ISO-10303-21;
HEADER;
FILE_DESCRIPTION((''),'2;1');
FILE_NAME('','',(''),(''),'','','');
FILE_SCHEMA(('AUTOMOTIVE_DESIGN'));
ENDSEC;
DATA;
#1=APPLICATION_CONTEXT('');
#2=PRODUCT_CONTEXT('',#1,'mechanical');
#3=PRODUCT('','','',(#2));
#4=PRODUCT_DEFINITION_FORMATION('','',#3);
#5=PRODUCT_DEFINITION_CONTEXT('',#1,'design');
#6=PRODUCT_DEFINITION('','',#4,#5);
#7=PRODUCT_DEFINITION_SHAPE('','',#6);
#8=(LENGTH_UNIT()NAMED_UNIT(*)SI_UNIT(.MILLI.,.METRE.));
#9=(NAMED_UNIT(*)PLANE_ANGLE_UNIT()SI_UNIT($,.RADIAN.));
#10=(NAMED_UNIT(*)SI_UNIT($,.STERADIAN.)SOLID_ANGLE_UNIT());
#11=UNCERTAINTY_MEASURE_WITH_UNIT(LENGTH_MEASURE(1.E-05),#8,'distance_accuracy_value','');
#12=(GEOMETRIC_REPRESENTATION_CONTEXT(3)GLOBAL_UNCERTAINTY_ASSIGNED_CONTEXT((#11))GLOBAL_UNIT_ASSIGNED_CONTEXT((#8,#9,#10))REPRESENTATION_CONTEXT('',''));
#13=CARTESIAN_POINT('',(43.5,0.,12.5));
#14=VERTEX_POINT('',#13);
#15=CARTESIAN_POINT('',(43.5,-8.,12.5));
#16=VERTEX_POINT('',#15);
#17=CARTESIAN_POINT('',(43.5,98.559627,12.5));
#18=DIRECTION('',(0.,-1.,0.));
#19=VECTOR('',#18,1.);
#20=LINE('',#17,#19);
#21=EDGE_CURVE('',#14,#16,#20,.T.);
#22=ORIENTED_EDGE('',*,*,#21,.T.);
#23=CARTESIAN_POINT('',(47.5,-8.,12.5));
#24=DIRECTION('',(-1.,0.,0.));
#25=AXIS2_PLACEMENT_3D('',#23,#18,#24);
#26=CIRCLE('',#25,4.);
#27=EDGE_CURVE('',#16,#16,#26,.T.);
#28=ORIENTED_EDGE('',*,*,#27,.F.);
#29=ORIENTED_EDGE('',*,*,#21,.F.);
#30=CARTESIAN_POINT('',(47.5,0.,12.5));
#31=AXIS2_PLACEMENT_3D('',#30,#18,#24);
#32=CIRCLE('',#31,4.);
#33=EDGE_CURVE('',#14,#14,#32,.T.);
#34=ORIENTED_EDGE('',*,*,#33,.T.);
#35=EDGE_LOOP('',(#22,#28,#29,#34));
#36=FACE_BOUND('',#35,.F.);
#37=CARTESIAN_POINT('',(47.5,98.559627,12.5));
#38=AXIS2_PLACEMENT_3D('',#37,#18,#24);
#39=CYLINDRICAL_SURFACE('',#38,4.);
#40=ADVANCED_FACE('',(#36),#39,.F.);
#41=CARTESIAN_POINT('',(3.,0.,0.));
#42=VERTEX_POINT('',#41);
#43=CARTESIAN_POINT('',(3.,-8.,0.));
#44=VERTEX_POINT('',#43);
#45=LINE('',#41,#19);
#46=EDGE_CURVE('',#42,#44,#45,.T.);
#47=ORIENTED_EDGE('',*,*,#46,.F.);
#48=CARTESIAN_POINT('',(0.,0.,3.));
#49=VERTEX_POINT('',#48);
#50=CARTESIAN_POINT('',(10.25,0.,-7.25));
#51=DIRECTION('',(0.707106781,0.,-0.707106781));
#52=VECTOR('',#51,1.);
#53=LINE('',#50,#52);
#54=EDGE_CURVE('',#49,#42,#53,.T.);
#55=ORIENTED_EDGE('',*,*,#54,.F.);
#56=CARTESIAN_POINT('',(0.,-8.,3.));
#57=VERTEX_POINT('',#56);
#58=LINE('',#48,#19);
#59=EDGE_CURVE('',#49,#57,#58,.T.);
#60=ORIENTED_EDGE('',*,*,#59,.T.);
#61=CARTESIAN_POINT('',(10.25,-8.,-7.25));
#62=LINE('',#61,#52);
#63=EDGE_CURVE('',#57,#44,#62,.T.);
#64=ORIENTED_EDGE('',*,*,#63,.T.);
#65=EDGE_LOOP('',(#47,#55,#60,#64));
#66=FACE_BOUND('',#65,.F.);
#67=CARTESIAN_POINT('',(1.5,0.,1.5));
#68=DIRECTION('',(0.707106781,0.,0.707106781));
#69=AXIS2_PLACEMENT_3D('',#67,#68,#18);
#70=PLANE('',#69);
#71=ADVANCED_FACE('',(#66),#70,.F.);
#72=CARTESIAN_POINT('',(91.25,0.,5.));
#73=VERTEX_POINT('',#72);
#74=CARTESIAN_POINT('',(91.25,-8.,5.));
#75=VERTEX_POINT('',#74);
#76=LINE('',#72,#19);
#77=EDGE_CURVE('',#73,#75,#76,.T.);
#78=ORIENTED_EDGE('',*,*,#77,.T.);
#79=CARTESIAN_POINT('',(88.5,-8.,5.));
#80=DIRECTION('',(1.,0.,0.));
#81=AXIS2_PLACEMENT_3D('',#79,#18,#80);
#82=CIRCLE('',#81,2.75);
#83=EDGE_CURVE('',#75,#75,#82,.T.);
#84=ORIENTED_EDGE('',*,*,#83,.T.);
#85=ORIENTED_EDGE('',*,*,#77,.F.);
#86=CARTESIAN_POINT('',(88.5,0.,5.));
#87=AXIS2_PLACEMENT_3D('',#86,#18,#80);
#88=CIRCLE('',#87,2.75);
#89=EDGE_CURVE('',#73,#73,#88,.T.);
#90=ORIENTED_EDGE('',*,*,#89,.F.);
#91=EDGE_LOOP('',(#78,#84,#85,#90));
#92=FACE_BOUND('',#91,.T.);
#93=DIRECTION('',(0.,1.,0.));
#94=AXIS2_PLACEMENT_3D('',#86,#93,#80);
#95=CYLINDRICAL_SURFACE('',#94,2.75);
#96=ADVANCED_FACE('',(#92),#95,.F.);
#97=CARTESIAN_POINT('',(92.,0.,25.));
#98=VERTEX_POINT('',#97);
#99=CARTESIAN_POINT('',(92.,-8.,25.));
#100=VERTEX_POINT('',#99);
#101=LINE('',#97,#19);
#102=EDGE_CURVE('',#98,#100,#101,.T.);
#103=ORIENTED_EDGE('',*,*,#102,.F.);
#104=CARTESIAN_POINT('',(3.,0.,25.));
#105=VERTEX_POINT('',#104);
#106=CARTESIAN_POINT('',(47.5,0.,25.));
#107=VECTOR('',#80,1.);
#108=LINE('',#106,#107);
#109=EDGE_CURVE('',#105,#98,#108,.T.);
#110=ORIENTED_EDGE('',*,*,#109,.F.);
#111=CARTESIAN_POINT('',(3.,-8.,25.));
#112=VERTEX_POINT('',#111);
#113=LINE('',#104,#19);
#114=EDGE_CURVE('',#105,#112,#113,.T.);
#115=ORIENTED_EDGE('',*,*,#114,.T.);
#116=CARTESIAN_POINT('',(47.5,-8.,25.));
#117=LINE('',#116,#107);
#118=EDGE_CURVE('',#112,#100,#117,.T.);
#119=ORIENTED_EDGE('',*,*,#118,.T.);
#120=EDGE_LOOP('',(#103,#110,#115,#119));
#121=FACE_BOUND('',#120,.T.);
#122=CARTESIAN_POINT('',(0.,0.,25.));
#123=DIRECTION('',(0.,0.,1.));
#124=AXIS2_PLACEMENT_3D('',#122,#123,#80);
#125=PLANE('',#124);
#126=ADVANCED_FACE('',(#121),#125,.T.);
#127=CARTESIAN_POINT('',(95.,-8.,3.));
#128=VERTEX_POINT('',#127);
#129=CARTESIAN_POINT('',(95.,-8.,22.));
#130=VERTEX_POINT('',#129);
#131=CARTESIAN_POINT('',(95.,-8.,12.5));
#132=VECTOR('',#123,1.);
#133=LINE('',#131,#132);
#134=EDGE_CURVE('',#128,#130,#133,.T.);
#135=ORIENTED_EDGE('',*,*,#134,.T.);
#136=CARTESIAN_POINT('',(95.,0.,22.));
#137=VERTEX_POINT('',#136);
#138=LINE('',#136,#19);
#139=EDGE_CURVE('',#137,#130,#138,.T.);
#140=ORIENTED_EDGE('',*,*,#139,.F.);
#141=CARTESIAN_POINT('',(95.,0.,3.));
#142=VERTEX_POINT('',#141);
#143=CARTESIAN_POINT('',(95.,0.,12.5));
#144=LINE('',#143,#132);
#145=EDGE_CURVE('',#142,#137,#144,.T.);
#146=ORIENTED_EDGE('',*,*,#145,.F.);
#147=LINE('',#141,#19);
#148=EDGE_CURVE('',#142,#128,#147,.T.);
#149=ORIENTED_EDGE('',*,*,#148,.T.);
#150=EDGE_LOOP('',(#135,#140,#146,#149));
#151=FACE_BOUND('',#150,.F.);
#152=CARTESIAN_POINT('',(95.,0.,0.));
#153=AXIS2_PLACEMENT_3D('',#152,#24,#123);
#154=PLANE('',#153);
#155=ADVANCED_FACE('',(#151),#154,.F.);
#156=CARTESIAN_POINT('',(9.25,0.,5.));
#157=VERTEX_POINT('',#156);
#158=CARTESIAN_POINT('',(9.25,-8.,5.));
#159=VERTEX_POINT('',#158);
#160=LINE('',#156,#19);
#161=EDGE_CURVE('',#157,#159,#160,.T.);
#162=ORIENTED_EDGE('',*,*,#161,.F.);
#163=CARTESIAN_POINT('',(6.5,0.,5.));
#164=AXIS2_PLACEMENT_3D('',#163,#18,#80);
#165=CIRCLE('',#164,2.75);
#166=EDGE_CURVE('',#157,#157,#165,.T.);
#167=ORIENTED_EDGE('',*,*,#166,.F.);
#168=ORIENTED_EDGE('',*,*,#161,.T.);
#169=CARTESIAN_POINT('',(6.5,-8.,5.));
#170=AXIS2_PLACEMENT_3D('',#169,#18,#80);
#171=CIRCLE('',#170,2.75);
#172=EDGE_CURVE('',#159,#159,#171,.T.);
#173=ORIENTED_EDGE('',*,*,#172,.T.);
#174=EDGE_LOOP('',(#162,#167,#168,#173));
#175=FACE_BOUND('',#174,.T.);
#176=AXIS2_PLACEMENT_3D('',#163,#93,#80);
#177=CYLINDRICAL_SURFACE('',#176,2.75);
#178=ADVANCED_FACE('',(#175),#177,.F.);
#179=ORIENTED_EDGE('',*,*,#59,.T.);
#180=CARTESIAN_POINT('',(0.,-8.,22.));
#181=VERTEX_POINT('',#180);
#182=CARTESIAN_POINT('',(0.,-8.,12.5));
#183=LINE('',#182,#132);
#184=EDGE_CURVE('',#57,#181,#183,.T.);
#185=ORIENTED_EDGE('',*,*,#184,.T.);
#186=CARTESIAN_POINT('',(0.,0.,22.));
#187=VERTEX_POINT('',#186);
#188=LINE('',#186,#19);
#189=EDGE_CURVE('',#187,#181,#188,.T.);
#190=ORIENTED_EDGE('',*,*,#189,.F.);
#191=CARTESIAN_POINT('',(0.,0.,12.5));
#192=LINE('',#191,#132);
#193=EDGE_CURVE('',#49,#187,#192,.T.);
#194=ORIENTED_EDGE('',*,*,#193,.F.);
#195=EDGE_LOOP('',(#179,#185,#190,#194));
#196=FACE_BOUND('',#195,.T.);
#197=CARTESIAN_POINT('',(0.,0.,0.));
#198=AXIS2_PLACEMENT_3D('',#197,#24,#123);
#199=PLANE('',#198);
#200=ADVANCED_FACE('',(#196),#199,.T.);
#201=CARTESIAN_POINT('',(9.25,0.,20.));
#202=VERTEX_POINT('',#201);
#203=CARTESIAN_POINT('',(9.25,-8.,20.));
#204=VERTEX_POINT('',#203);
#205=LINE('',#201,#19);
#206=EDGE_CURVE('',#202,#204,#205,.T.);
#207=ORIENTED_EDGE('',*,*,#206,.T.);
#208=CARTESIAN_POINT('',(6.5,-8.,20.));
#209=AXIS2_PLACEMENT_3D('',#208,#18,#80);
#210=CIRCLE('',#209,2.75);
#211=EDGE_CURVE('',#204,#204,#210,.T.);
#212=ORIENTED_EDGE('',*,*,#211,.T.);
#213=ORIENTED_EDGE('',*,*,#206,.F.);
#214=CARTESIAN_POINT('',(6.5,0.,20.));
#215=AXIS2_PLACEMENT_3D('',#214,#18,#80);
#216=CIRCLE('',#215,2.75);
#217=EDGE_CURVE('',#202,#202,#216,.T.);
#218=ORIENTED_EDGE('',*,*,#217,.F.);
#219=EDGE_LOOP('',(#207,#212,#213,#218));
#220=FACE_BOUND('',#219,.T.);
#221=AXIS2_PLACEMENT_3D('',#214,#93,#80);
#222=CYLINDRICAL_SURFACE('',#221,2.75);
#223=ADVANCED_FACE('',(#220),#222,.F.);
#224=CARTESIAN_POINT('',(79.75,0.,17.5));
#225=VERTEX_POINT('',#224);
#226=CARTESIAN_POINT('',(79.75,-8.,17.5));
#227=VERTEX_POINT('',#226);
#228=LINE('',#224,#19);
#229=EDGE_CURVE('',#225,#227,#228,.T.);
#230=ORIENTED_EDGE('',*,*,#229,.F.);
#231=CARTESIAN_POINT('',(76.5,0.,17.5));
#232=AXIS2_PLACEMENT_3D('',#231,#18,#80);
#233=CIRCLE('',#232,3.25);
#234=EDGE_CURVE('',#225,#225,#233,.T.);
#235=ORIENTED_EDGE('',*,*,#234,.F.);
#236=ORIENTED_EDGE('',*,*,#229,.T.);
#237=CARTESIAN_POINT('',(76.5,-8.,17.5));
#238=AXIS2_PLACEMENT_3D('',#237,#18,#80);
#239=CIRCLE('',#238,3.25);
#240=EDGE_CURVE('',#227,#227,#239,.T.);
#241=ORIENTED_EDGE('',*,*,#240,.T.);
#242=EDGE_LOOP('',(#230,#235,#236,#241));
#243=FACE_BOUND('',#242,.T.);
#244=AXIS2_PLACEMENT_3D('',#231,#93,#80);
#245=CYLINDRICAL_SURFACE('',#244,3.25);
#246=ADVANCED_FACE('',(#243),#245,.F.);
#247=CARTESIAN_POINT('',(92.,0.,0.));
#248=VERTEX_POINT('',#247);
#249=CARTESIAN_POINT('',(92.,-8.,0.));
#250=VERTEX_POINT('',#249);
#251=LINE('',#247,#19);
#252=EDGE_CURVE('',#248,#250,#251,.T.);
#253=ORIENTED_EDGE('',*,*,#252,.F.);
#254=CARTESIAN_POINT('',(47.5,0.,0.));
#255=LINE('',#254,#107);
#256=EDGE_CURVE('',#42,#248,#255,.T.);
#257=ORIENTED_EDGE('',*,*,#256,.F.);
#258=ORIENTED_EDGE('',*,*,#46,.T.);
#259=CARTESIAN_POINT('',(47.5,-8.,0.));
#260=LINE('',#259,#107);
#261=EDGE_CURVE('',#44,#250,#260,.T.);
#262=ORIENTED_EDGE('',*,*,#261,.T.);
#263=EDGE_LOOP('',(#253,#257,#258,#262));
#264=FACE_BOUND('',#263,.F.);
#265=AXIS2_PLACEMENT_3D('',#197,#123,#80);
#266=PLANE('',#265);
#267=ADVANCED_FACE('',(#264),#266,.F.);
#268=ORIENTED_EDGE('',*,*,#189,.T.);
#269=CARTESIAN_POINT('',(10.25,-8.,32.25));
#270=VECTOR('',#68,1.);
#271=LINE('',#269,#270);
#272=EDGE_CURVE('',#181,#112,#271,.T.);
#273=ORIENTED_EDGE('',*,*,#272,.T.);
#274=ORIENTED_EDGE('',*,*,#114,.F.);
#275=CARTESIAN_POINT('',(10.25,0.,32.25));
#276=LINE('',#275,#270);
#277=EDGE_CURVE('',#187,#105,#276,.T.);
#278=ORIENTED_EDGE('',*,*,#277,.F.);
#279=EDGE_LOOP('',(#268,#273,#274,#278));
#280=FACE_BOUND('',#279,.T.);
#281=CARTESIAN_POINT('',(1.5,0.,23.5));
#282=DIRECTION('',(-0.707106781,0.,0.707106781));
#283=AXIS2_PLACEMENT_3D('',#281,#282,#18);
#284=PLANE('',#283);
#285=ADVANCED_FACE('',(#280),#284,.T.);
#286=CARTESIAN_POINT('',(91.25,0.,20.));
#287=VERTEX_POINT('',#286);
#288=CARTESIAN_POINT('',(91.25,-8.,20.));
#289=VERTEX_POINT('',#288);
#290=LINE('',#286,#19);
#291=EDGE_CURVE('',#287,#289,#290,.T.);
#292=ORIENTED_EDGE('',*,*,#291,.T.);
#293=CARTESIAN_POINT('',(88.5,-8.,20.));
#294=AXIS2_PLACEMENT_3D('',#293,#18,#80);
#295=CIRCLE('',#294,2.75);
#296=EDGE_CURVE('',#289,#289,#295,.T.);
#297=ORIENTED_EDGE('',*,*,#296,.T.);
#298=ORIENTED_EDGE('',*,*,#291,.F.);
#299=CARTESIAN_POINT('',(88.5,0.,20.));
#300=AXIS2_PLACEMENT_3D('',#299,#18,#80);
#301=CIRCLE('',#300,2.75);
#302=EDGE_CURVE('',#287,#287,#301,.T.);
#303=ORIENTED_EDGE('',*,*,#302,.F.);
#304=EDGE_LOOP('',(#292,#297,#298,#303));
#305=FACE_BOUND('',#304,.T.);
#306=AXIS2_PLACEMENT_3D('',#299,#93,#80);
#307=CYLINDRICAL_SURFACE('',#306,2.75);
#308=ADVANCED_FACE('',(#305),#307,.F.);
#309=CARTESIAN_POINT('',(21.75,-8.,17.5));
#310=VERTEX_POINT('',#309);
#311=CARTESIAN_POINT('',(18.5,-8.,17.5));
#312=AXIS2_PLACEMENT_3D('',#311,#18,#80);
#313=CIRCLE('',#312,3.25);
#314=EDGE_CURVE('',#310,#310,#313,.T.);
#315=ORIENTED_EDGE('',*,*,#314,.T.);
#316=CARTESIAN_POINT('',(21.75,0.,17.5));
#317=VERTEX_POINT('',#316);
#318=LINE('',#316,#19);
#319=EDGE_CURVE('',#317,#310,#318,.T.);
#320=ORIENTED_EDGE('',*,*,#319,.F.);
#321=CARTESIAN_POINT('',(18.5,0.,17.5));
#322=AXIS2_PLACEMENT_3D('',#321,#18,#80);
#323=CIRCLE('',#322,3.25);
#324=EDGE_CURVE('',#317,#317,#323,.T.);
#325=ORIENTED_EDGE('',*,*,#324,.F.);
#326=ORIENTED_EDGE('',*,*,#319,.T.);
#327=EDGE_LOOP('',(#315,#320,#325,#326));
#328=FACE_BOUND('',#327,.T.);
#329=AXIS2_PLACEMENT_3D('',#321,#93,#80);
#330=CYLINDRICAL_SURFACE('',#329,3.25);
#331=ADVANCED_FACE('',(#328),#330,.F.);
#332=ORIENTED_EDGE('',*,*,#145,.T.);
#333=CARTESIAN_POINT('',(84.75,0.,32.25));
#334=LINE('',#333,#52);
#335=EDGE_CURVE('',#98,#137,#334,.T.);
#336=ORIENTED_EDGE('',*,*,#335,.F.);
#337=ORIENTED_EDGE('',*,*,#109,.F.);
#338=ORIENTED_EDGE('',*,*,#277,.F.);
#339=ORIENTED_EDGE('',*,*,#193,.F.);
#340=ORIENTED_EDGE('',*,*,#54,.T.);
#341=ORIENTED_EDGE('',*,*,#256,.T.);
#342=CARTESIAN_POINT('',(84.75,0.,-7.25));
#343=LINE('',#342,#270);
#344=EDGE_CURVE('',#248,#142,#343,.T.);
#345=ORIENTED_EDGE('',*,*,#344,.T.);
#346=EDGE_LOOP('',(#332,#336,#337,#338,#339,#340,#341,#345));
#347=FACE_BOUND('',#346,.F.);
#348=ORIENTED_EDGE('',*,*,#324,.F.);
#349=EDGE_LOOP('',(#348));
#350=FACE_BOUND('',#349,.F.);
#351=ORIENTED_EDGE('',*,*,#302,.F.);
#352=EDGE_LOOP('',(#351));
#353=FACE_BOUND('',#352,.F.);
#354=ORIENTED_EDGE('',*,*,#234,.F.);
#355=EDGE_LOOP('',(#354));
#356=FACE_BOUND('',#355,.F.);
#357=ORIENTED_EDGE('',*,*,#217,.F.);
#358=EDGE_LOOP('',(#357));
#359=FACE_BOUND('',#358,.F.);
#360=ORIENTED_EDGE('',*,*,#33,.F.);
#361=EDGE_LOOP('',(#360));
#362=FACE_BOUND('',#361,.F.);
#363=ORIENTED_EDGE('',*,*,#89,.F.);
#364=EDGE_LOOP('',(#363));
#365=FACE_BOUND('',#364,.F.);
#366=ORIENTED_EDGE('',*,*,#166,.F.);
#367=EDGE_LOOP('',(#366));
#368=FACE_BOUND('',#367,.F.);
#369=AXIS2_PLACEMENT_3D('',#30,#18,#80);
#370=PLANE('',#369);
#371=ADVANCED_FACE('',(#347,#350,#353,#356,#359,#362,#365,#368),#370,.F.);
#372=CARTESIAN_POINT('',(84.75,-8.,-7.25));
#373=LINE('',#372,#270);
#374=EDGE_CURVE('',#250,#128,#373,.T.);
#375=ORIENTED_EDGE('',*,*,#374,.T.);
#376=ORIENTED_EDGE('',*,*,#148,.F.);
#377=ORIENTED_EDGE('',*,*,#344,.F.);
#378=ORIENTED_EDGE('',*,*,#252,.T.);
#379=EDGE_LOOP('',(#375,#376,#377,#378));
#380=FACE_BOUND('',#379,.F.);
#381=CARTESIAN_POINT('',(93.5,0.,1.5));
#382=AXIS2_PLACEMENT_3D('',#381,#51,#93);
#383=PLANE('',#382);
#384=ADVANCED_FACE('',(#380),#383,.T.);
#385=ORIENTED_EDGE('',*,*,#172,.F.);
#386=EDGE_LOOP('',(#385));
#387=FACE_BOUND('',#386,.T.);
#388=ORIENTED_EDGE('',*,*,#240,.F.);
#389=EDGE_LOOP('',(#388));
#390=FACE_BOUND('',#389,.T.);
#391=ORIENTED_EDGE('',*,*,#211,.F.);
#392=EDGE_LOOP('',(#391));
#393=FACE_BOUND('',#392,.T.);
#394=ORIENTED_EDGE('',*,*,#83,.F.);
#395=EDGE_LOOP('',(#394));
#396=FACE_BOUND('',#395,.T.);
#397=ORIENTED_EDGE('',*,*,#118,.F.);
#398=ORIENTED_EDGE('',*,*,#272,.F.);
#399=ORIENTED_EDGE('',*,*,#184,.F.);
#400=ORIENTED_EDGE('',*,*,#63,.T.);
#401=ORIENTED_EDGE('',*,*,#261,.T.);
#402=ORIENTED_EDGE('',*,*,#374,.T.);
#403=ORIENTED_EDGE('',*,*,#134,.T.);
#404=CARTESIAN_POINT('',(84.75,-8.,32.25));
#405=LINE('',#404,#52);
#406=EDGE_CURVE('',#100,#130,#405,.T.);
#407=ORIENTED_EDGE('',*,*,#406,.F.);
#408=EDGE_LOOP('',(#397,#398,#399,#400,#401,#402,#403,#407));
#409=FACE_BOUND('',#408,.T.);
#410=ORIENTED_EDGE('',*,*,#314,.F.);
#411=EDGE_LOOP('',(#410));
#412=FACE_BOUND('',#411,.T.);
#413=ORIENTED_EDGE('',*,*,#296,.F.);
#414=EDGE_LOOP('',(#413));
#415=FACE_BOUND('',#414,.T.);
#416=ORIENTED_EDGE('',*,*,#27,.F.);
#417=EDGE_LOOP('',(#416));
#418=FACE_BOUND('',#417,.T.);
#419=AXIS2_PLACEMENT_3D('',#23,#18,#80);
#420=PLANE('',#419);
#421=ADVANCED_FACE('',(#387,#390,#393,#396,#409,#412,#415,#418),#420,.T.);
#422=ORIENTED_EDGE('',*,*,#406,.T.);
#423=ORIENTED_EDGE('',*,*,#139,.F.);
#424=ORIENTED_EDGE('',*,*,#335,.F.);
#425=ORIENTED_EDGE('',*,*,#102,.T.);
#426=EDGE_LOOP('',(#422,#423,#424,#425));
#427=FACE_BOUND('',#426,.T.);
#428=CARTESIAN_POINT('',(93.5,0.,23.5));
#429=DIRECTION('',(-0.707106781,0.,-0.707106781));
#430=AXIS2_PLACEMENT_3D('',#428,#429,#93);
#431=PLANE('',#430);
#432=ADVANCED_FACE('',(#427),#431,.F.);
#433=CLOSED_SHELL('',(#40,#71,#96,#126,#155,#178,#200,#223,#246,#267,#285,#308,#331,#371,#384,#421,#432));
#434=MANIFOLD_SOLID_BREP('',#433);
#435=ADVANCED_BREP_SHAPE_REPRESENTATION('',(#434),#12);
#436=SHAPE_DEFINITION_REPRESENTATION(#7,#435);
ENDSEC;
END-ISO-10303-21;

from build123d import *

# Parameters (mm, degrees)
F0_W     = 95
F0_H     = 25
F0_R     = 2.75
F0_R_2   = 3.25
F0_R_3   = 4
F1_DEPTH = 8
F2_D     = 8
F3_SIZE  = 3


with BuildPart() as f1:
    # F0 (on Front) → F1 (new body)
    with BuildSketch(Plane.XZ):
        with Locations((47.5, 12.5)):
            Rectangle(F0_W, F0_H)
        with Locations((6.5, 5)):
            Circle(F0_R, mode=Mode.SUBTRACT)
        with Locations((88.5, 5)):
            Circle(F0_R, mode=Mode.SUBTRACT)
        with Locations((18.5, 17.5)):
            Circle(F0_R_2, mode=Mode.SUBTRACT)
        with Locations((6.5, 20)):
            Circle(F0_R, mode=Mode.SUBTRACT)
        with Locations((47.5, 12.5)):
            Circle(F0_R_3, mode=Mode.SUBTRACT)
        with Locations((76.5, 17.5)):
            Circle(F0_R_2, mode=Mode.SUBTRACT)
        with Locations((88.5, 20)):
            Circle(F0_R, mode=Mode.SUBTRACT)
        with Locations((47.5, 12.5)):
            Circle(F0_R_3)
    extrude(amount=F1_DEPTH)

    # F2 (through all)
    with Locations(Plane(origin=(0, 0, 0), x_dir=(1, 0, 0), z_dir=(0, 1, 0))):
        with Locations((47.5, -12.5)):
            Hole(F2_D / 2)

    # F3
    f3_edges = [f1.edges().sort_by_distance(p)[0] for p in [
        (95, -4, 25),
        (95, -4, 0),
        (0, -4, 25),
        (0, -4, 0),
    ]]
    chamfer(f3_edges, length=F3_SIZE)


solid = f1.part
